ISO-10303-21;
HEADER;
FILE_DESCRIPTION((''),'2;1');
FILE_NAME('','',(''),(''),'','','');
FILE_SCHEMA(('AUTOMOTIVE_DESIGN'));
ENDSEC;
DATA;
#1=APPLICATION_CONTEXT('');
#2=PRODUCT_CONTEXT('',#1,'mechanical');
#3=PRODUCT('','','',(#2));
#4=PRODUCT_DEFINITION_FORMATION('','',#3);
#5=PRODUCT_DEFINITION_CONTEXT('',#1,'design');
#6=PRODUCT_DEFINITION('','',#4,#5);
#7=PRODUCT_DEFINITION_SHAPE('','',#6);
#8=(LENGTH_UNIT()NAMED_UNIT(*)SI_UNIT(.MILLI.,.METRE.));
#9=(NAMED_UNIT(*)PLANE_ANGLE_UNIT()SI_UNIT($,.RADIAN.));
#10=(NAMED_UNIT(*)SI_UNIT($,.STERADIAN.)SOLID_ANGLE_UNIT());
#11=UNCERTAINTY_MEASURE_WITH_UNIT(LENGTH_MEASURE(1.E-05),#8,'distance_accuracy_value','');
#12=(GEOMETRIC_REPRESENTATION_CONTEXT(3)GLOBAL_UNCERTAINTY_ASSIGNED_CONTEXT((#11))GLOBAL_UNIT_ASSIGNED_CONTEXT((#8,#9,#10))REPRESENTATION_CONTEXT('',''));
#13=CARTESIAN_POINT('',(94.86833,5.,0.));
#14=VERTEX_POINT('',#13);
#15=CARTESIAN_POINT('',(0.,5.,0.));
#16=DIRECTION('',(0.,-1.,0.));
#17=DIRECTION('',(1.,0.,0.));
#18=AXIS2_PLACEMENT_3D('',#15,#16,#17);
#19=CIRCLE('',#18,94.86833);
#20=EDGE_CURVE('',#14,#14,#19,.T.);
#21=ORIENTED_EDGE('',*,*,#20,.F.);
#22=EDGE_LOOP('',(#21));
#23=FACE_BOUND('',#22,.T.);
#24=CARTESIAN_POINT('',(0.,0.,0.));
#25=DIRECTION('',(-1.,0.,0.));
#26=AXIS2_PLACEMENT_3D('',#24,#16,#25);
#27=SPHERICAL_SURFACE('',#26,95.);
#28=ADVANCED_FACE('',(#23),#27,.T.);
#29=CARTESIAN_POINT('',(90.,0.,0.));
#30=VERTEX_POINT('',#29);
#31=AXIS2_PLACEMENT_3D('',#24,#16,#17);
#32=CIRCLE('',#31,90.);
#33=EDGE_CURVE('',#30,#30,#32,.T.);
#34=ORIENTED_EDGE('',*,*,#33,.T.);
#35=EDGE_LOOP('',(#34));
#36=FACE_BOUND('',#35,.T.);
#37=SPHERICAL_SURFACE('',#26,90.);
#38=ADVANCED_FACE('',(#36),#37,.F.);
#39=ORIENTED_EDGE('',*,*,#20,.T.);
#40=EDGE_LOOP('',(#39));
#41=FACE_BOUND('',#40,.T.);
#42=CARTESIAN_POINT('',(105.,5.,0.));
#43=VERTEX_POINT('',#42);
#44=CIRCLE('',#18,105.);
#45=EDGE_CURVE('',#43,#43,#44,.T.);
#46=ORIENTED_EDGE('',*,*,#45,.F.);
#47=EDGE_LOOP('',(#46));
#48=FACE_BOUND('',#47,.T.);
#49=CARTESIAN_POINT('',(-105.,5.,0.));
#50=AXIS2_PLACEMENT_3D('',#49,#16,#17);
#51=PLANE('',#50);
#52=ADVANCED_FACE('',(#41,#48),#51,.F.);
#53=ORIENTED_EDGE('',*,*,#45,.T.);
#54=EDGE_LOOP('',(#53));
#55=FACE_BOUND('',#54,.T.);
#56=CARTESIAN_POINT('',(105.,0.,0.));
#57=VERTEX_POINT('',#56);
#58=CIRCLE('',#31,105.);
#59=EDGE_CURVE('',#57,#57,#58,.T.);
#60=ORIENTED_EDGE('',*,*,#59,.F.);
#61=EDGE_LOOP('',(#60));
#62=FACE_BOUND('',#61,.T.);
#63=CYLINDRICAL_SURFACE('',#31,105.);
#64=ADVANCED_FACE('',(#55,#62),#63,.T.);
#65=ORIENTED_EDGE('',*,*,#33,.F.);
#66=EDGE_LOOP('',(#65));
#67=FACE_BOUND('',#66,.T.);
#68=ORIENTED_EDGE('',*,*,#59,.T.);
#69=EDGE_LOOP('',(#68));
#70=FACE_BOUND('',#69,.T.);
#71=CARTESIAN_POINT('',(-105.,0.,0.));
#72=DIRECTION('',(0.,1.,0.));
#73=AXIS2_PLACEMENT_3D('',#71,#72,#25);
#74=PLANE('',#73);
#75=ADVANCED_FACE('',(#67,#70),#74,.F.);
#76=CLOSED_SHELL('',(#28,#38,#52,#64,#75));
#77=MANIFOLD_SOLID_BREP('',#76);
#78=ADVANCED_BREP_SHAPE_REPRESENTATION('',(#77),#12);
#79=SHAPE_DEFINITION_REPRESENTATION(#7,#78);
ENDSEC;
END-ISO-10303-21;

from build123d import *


with BuildPart() as part:
    # Sketch1 → Revolve1 (revolve)
    with BuildSketch(Plane.XY):
        with BuildLine():
            Line((-105, 0), (-105, 5))
            Line((-105, 5), (-94.868329805, 5))
            ThreePointArc((-94.868329805, 5), (-65.383484153, 68.92024376), (0, 95))
            Line((0, 95), (0, 90))
            ThreePointArc((0, 90), (-63.639610307, 63.639610307), (-90, 0))
            Line((-90, 0), (-105, 0))
        make_face()
    revolve(axis=Axis((0, 0, 0), (0, 1, 0)))


solid = part.part
